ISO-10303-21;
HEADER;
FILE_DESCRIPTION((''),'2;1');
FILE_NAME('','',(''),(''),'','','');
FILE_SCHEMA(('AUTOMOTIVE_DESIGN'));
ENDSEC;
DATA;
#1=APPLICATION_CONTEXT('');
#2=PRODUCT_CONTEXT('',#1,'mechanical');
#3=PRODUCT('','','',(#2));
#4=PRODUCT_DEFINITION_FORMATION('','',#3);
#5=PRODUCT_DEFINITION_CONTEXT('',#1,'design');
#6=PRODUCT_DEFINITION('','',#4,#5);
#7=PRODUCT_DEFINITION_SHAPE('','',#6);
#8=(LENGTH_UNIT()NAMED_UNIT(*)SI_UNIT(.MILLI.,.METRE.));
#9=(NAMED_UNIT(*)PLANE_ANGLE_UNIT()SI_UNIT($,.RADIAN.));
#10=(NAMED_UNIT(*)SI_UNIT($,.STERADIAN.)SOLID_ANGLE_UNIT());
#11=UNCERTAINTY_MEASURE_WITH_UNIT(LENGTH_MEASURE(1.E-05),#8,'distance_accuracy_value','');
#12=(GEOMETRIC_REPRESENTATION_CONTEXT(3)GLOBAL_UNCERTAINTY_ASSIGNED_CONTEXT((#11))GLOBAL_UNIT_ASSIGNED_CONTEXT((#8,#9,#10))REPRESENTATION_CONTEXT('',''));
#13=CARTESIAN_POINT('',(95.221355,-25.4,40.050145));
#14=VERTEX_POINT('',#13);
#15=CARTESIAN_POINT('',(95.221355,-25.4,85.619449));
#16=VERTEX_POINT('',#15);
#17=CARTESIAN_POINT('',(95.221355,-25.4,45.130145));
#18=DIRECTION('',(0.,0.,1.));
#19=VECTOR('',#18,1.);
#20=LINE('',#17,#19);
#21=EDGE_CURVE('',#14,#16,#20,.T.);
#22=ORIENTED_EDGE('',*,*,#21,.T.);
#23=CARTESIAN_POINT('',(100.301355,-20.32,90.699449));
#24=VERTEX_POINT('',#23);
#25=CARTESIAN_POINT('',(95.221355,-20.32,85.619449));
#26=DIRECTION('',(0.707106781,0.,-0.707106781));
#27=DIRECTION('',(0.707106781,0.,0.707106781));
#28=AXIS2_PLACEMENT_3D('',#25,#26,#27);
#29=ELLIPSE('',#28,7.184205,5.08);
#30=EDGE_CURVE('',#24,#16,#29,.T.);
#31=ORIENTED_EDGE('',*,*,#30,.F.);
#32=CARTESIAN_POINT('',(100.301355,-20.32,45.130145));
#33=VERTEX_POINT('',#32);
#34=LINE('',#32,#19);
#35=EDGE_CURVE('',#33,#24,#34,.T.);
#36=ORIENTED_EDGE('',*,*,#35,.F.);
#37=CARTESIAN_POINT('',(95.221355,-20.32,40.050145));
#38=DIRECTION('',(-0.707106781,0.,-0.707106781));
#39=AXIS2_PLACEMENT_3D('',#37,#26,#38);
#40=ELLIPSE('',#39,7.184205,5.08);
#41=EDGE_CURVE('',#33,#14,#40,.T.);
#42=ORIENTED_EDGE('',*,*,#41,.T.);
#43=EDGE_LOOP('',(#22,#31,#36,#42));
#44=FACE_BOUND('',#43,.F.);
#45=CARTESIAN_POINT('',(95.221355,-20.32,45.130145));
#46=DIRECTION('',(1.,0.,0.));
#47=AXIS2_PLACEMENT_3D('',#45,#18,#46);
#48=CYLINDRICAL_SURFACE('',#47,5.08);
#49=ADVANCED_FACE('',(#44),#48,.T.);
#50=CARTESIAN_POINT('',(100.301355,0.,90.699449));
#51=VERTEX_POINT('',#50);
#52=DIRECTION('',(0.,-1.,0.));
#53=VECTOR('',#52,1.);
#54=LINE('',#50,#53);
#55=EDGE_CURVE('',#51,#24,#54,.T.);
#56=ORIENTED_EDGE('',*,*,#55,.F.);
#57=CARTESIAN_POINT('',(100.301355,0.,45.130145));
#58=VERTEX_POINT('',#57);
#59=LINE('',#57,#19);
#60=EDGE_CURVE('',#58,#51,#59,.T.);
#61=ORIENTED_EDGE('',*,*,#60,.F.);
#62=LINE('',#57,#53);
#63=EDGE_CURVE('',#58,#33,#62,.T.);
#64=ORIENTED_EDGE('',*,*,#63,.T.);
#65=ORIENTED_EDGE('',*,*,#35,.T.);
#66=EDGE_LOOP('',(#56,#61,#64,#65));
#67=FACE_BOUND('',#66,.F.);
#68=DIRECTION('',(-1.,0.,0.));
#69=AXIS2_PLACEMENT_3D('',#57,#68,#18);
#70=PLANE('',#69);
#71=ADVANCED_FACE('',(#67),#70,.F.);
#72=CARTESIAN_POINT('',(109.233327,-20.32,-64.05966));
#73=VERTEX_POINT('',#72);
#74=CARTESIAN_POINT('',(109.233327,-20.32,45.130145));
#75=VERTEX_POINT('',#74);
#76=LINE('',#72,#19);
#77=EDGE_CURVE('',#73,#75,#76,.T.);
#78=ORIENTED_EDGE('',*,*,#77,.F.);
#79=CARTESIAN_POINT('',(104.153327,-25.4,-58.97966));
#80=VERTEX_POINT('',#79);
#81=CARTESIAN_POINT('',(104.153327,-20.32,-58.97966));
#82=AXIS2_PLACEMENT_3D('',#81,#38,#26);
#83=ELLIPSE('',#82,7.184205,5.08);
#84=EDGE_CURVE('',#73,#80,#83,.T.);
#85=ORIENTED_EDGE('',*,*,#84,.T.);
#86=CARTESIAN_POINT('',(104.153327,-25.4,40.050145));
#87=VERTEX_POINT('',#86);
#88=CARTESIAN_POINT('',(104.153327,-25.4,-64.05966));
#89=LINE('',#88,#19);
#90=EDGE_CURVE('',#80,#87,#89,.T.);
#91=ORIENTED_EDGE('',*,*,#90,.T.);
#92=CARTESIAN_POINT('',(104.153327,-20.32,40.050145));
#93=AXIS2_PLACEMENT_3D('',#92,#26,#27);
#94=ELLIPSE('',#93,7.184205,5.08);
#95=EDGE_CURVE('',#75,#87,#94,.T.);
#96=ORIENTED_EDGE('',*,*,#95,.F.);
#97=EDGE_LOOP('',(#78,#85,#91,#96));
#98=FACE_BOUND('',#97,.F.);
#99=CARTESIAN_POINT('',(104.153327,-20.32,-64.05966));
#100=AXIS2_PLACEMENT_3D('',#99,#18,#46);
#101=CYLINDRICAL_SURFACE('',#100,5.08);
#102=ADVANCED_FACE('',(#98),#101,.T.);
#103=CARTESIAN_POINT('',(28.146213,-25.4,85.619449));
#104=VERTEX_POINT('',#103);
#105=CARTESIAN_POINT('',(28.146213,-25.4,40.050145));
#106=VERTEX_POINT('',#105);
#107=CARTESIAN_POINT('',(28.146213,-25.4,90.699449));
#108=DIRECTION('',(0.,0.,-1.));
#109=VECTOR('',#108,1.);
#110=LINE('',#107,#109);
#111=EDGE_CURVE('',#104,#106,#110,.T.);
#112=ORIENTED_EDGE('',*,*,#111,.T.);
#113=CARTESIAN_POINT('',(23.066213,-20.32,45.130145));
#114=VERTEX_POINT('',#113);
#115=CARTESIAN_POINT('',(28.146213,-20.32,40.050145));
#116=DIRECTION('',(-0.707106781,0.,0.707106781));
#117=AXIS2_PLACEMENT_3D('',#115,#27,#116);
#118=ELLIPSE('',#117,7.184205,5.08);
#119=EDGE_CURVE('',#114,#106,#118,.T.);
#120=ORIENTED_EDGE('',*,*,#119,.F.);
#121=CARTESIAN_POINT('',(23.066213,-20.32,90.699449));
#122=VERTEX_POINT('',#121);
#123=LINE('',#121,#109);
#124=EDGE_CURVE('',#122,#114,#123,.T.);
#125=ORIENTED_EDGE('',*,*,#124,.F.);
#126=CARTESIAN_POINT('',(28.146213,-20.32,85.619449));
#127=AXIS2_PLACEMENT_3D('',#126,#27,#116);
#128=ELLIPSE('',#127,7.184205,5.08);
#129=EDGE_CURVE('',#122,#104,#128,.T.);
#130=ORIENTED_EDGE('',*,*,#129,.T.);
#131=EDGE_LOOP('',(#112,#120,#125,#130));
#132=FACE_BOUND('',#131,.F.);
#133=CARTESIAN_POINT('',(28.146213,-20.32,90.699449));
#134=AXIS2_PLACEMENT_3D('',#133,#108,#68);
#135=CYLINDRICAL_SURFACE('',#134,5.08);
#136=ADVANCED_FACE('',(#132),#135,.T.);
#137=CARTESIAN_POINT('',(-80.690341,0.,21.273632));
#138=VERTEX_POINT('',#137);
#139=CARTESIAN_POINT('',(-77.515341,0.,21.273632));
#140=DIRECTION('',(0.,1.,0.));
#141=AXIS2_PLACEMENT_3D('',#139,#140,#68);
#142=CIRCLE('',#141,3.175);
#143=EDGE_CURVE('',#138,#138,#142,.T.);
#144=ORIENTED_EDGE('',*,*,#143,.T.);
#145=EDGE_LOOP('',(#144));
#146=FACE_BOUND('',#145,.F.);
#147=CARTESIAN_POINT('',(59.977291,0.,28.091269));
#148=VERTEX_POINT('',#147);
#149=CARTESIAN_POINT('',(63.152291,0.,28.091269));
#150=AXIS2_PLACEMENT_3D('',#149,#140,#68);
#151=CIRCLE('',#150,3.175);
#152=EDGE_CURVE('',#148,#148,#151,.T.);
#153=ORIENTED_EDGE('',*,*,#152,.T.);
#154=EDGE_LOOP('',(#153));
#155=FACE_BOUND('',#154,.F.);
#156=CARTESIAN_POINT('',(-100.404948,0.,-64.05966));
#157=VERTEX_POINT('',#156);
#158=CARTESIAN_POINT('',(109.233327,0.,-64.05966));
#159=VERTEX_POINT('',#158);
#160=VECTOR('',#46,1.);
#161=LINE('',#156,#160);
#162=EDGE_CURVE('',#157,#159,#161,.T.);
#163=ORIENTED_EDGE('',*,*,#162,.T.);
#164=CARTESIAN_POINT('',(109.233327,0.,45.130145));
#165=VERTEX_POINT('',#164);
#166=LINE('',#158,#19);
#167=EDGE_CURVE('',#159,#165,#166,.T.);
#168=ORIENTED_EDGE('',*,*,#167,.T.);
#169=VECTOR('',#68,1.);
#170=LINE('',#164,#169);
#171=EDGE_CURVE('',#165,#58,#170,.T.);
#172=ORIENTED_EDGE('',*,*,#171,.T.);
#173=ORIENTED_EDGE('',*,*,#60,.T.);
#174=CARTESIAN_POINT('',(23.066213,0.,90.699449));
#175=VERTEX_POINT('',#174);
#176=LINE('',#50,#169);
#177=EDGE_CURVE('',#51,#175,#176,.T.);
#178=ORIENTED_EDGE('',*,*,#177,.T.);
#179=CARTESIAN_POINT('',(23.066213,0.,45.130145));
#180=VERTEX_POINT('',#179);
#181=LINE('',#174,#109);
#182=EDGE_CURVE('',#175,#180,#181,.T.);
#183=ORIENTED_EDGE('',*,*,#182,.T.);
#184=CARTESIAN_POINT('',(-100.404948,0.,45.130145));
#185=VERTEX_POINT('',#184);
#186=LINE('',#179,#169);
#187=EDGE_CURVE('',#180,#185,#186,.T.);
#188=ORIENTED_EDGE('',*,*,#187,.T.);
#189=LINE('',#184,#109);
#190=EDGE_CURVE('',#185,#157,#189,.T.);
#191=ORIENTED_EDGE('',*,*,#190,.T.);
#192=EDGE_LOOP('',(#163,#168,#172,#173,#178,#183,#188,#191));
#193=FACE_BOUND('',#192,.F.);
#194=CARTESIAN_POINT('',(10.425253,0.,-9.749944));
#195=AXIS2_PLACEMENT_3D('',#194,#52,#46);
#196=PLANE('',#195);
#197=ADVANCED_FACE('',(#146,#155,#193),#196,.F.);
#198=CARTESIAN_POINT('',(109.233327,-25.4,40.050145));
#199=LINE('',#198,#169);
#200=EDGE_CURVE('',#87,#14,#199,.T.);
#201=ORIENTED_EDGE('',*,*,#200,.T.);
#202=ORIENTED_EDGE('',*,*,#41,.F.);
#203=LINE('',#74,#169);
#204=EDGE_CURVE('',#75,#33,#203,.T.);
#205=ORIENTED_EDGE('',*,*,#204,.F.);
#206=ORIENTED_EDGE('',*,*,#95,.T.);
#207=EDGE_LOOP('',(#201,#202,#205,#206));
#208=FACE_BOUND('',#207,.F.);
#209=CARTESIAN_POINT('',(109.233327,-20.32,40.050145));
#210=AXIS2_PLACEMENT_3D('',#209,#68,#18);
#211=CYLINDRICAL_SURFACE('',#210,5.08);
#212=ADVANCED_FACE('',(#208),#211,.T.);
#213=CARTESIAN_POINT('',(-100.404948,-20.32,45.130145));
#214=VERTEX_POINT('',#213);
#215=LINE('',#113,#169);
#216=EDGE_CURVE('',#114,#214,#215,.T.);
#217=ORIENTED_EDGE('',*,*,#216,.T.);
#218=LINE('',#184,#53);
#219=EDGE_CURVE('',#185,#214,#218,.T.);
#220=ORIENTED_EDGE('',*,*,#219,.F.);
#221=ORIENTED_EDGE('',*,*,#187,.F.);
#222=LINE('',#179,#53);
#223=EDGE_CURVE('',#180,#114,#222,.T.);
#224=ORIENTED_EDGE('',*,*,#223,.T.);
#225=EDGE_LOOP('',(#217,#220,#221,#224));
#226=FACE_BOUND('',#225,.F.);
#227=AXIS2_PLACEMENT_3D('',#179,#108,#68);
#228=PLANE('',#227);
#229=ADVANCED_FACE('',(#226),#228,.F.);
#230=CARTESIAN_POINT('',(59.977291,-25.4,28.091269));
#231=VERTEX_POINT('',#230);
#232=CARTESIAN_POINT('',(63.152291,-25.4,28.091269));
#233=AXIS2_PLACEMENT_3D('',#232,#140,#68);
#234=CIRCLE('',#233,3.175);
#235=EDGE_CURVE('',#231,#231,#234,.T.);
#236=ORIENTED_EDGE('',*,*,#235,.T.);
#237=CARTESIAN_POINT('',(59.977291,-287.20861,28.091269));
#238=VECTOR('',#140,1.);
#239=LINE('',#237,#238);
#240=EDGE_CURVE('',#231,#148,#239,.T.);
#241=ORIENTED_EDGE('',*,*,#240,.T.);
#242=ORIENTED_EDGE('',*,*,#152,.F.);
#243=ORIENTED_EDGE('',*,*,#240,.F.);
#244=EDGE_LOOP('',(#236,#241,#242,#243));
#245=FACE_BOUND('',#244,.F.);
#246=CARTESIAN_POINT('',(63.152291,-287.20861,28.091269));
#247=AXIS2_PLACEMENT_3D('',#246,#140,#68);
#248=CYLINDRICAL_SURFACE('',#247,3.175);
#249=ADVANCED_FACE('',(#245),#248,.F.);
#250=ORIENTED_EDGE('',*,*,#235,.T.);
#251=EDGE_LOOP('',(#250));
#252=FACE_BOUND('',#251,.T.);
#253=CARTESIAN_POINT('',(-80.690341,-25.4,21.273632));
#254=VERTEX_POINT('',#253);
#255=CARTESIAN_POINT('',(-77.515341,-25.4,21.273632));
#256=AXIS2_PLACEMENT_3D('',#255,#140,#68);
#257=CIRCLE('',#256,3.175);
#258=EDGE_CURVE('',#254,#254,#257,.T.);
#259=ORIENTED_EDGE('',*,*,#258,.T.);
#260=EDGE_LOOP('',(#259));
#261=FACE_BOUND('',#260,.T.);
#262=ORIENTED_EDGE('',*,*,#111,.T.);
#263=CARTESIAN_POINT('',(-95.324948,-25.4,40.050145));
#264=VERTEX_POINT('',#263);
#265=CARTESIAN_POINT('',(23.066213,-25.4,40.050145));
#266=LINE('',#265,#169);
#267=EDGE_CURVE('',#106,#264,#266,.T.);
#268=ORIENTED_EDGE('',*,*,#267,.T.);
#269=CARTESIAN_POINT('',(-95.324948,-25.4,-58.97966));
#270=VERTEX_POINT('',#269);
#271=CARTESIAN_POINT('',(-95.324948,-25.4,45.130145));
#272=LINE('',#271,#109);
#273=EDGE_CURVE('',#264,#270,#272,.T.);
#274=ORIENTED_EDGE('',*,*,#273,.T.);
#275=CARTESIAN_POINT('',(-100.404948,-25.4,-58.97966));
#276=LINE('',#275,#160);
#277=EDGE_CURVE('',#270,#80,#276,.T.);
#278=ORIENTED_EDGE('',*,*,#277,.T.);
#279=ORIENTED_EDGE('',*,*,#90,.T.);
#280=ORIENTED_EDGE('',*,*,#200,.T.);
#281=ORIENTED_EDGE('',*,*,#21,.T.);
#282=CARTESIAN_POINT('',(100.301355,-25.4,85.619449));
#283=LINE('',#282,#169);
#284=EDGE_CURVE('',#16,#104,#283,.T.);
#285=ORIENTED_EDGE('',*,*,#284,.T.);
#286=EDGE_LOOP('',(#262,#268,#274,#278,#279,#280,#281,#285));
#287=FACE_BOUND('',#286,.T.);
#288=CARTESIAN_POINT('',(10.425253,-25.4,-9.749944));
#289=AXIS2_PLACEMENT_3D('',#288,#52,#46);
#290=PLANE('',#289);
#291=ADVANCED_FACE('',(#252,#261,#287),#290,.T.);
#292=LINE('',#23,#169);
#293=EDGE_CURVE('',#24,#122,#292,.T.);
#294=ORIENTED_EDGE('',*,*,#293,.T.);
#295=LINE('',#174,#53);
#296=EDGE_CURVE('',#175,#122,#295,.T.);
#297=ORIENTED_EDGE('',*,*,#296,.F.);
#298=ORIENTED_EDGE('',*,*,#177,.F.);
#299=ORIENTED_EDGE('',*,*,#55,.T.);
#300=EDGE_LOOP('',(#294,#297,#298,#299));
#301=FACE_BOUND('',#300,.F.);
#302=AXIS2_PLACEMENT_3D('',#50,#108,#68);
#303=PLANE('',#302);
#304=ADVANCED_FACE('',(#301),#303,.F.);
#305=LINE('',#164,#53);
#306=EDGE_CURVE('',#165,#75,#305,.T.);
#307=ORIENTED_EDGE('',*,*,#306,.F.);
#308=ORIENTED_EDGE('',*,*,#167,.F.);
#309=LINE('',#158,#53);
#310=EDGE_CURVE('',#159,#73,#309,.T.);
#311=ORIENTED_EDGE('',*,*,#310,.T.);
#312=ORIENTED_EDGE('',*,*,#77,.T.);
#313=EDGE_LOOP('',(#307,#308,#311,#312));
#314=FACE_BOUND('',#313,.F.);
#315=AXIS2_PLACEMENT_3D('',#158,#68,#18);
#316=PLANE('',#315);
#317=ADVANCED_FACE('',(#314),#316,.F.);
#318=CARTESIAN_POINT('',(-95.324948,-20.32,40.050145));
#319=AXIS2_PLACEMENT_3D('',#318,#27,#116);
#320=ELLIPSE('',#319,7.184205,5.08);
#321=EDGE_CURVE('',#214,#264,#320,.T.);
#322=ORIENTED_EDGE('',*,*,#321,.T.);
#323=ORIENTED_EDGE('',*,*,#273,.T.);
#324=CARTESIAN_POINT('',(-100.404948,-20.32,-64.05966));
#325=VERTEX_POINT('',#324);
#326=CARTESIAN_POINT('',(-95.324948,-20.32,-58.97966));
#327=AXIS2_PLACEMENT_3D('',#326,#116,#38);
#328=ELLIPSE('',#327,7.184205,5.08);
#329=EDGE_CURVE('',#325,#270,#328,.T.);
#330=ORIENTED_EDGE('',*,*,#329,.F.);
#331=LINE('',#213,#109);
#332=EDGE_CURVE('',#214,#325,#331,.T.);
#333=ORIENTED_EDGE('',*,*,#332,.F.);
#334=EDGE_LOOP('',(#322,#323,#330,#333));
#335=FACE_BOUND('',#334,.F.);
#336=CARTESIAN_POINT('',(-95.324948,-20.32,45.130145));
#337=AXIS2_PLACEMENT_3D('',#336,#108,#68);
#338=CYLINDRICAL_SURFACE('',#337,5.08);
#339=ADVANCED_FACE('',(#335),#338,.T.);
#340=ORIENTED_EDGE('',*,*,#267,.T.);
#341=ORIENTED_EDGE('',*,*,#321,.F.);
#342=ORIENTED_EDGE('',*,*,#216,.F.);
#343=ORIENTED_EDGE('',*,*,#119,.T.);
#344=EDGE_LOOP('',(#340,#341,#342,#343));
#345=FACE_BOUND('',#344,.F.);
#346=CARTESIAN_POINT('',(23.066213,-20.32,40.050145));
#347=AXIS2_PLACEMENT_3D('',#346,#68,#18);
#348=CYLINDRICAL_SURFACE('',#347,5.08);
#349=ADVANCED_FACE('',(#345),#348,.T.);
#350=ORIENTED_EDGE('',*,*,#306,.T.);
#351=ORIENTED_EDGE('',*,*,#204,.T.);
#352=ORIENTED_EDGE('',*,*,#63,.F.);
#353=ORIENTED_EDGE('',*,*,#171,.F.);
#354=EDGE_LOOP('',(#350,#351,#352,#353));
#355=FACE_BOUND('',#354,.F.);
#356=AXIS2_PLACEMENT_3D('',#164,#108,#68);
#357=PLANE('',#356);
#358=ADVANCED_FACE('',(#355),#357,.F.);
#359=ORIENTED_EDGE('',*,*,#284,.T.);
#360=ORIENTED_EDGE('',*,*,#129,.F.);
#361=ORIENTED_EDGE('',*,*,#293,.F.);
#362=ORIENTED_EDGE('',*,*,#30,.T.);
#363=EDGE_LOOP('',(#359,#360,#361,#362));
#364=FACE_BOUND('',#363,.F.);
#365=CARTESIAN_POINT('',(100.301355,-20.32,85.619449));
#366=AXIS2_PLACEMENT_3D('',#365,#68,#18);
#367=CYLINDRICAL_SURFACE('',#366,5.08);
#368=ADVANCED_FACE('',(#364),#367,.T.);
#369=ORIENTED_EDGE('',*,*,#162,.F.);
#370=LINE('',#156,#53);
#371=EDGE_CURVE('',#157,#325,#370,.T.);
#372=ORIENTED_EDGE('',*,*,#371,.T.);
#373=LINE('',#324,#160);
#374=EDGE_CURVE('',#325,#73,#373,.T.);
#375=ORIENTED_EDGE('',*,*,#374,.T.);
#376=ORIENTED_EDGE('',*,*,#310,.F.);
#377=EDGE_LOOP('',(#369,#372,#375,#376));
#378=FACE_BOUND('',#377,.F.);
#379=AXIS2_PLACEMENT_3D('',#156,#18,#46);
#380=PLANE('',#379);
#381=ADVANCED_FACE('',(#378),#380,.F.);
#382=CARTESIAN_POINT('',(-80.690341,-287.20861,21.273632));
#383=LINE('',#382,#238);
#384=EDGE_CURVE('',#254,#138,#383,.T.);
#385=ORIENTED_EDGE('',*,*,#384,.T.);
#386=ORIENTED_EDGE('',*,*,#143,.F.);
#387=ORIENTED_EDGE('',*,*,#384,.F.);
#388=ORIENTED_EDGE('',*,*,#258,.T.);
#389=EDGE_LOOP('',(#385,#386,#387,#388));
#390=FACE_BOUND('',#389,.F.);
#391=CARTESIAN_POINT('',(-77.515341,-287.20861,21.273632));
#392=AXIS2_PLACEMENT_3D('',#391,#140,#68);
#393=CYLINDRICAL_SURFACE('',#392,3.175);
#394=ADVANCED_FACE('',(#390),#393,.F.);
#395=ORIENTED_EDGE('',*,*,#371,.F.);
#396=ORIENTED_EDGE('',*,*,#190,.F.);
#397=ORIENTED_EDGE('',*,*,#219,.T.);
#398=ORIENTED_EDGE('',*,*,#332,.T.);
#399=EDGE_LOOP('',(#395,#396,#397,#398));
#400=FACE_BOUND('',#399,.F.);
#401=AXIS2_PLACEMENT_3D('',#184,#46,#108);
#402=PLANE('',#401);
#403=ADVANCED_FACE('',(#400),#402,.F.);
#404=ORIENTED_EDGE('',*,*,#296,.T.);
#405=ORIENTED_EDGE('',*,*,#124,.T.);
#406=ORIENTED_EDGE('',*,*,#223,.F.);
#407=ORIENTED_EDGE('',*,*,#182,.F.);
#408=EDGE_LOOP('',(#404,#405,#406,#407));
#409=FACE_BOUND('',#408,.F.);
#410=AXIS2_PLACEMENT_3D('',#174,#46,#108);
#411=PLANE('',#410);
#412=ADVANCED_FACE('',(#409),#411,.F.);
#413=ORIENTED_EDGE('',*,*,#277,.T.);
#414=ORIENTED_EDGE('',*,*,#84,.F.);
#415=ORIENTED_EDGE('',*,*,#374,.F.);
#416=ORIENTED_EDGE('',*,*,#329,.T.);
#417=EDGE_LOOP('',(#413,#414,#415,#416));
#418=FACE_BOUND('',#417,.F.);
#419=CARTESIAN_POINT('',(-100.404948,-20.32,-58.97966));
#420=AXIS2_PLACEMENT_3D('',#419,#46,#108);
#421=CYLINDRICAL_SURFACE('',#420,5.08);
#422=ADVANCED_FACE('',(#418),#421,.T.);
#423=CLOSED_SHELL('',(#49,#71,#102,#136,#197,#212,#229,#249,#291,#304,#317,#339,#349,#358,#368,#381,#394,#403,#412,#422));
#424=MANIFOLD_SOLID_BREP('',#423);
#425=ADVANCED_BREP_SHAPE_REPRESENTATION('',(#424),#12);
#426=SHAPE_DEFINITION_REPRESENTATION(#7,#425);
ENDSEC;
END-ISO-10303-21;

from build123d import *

# Parameters (mm, degrees)
F0_W     = 19.7901576757
F0_H     = 22.3555974662
F1_DEPTH = 25.4
F0_W_2   = 77.2351417691
F0_H_2   = 37.3888155445
F0_W_3   = 14.1860321164
F0_H_3   = 13.0779221654
F2_R     = 5.08
F4_R     = 14.5126216771
F5_DEPTH = 4.064
F7_D     = 6.35


with BuildPart() as f1:
    # F0 (on Front) → F1 (new body)
    with BuildSketch(Plane.XZ):
        Polygon((-143.1801915169, 45.9882542491), (-120.1951056719, 45.9882542491), (-120.1951056719, 68.3438517153), (-120.1951056719, 90.6994491816), (-143.1801915169, 90.6994491816), align=None)
        with Locations((-110.300026834, 79.5216504484)):
            Rectangle(F0_W, F0_H)
    extrude(amount=F1_DEPTH)


with BuildPart() as f1b:
    # F0 (on Front) → F1, piece 2 (new body)
    with BuildSketch(Plane.XZ):
        Polygon((23.0662133545, 45.1301448047), (-100.4049479961, 45.1301448047), (-100.4049479961, -64.0596598387), (109.2333272099, -64.0596598387), (109.2333272099, 45.1301448047), (100.3013551235, 45.1301448047), (100.3013551235, 7.7413292602), (23.0662133545, 7.7413292602), align=None)
        Polygon((23.0662133545, 90.6994491816), (23.0662133545, 45.1301448047), (100.3013551235, 45.1301448047), (100.3013551235, 90.6994491816), (88.216945529, 90.6994491816), (88.216945529, 77.6215270162), (74.0309134126, 77.6215270162), (74.0309134126, 90.6994491816), align=None)
        with Locations((61.683784239, 26.4357370324)):
            Rectangle(F0_W_2, F0_H_2)
        with Locations((81.1239294708, 84.1604880989)):
            Rectangle(F0_W_3, F0_H_3)
    extrude(amount=F1_DEPTH)

    # F2
    f2_edges = [f1b.edges().sort_by_distance(p)[0] for p in [
        (-38.669367, -25.4, 45.130145),
        (-100.404948, -25.4, -9.464758),
        (4.41419, -25.4, -64.05966),
        (109.233327, -25.4, -9.464758),
        (104.767341, -25.4, 45.130145),
        (100.301355, -25.4, 67.914797),
        (61.683784, -25.4, 90.699449),
        (23.066213, -25.4, 67.914797),
    ]]
    fillet(f2_edges, radius=F2_R)

    # F4 (on Front) → F5 (join)
    with BuildSketch(Plane.XZ):
        with Locations((-73.5853686929, -5.0210841)):
            Circle(F4_R)
    extrude(amount=F5_DEPTH)

    # F7 (through all)
    with Locations(Plane.XZ.offset(25.4)):
        with Locations((-77.5153413415, 21.2736316025), (63.1522908807, 28.0912686139)):
            Hole(F7_D / 2)


solid = f1b.part
